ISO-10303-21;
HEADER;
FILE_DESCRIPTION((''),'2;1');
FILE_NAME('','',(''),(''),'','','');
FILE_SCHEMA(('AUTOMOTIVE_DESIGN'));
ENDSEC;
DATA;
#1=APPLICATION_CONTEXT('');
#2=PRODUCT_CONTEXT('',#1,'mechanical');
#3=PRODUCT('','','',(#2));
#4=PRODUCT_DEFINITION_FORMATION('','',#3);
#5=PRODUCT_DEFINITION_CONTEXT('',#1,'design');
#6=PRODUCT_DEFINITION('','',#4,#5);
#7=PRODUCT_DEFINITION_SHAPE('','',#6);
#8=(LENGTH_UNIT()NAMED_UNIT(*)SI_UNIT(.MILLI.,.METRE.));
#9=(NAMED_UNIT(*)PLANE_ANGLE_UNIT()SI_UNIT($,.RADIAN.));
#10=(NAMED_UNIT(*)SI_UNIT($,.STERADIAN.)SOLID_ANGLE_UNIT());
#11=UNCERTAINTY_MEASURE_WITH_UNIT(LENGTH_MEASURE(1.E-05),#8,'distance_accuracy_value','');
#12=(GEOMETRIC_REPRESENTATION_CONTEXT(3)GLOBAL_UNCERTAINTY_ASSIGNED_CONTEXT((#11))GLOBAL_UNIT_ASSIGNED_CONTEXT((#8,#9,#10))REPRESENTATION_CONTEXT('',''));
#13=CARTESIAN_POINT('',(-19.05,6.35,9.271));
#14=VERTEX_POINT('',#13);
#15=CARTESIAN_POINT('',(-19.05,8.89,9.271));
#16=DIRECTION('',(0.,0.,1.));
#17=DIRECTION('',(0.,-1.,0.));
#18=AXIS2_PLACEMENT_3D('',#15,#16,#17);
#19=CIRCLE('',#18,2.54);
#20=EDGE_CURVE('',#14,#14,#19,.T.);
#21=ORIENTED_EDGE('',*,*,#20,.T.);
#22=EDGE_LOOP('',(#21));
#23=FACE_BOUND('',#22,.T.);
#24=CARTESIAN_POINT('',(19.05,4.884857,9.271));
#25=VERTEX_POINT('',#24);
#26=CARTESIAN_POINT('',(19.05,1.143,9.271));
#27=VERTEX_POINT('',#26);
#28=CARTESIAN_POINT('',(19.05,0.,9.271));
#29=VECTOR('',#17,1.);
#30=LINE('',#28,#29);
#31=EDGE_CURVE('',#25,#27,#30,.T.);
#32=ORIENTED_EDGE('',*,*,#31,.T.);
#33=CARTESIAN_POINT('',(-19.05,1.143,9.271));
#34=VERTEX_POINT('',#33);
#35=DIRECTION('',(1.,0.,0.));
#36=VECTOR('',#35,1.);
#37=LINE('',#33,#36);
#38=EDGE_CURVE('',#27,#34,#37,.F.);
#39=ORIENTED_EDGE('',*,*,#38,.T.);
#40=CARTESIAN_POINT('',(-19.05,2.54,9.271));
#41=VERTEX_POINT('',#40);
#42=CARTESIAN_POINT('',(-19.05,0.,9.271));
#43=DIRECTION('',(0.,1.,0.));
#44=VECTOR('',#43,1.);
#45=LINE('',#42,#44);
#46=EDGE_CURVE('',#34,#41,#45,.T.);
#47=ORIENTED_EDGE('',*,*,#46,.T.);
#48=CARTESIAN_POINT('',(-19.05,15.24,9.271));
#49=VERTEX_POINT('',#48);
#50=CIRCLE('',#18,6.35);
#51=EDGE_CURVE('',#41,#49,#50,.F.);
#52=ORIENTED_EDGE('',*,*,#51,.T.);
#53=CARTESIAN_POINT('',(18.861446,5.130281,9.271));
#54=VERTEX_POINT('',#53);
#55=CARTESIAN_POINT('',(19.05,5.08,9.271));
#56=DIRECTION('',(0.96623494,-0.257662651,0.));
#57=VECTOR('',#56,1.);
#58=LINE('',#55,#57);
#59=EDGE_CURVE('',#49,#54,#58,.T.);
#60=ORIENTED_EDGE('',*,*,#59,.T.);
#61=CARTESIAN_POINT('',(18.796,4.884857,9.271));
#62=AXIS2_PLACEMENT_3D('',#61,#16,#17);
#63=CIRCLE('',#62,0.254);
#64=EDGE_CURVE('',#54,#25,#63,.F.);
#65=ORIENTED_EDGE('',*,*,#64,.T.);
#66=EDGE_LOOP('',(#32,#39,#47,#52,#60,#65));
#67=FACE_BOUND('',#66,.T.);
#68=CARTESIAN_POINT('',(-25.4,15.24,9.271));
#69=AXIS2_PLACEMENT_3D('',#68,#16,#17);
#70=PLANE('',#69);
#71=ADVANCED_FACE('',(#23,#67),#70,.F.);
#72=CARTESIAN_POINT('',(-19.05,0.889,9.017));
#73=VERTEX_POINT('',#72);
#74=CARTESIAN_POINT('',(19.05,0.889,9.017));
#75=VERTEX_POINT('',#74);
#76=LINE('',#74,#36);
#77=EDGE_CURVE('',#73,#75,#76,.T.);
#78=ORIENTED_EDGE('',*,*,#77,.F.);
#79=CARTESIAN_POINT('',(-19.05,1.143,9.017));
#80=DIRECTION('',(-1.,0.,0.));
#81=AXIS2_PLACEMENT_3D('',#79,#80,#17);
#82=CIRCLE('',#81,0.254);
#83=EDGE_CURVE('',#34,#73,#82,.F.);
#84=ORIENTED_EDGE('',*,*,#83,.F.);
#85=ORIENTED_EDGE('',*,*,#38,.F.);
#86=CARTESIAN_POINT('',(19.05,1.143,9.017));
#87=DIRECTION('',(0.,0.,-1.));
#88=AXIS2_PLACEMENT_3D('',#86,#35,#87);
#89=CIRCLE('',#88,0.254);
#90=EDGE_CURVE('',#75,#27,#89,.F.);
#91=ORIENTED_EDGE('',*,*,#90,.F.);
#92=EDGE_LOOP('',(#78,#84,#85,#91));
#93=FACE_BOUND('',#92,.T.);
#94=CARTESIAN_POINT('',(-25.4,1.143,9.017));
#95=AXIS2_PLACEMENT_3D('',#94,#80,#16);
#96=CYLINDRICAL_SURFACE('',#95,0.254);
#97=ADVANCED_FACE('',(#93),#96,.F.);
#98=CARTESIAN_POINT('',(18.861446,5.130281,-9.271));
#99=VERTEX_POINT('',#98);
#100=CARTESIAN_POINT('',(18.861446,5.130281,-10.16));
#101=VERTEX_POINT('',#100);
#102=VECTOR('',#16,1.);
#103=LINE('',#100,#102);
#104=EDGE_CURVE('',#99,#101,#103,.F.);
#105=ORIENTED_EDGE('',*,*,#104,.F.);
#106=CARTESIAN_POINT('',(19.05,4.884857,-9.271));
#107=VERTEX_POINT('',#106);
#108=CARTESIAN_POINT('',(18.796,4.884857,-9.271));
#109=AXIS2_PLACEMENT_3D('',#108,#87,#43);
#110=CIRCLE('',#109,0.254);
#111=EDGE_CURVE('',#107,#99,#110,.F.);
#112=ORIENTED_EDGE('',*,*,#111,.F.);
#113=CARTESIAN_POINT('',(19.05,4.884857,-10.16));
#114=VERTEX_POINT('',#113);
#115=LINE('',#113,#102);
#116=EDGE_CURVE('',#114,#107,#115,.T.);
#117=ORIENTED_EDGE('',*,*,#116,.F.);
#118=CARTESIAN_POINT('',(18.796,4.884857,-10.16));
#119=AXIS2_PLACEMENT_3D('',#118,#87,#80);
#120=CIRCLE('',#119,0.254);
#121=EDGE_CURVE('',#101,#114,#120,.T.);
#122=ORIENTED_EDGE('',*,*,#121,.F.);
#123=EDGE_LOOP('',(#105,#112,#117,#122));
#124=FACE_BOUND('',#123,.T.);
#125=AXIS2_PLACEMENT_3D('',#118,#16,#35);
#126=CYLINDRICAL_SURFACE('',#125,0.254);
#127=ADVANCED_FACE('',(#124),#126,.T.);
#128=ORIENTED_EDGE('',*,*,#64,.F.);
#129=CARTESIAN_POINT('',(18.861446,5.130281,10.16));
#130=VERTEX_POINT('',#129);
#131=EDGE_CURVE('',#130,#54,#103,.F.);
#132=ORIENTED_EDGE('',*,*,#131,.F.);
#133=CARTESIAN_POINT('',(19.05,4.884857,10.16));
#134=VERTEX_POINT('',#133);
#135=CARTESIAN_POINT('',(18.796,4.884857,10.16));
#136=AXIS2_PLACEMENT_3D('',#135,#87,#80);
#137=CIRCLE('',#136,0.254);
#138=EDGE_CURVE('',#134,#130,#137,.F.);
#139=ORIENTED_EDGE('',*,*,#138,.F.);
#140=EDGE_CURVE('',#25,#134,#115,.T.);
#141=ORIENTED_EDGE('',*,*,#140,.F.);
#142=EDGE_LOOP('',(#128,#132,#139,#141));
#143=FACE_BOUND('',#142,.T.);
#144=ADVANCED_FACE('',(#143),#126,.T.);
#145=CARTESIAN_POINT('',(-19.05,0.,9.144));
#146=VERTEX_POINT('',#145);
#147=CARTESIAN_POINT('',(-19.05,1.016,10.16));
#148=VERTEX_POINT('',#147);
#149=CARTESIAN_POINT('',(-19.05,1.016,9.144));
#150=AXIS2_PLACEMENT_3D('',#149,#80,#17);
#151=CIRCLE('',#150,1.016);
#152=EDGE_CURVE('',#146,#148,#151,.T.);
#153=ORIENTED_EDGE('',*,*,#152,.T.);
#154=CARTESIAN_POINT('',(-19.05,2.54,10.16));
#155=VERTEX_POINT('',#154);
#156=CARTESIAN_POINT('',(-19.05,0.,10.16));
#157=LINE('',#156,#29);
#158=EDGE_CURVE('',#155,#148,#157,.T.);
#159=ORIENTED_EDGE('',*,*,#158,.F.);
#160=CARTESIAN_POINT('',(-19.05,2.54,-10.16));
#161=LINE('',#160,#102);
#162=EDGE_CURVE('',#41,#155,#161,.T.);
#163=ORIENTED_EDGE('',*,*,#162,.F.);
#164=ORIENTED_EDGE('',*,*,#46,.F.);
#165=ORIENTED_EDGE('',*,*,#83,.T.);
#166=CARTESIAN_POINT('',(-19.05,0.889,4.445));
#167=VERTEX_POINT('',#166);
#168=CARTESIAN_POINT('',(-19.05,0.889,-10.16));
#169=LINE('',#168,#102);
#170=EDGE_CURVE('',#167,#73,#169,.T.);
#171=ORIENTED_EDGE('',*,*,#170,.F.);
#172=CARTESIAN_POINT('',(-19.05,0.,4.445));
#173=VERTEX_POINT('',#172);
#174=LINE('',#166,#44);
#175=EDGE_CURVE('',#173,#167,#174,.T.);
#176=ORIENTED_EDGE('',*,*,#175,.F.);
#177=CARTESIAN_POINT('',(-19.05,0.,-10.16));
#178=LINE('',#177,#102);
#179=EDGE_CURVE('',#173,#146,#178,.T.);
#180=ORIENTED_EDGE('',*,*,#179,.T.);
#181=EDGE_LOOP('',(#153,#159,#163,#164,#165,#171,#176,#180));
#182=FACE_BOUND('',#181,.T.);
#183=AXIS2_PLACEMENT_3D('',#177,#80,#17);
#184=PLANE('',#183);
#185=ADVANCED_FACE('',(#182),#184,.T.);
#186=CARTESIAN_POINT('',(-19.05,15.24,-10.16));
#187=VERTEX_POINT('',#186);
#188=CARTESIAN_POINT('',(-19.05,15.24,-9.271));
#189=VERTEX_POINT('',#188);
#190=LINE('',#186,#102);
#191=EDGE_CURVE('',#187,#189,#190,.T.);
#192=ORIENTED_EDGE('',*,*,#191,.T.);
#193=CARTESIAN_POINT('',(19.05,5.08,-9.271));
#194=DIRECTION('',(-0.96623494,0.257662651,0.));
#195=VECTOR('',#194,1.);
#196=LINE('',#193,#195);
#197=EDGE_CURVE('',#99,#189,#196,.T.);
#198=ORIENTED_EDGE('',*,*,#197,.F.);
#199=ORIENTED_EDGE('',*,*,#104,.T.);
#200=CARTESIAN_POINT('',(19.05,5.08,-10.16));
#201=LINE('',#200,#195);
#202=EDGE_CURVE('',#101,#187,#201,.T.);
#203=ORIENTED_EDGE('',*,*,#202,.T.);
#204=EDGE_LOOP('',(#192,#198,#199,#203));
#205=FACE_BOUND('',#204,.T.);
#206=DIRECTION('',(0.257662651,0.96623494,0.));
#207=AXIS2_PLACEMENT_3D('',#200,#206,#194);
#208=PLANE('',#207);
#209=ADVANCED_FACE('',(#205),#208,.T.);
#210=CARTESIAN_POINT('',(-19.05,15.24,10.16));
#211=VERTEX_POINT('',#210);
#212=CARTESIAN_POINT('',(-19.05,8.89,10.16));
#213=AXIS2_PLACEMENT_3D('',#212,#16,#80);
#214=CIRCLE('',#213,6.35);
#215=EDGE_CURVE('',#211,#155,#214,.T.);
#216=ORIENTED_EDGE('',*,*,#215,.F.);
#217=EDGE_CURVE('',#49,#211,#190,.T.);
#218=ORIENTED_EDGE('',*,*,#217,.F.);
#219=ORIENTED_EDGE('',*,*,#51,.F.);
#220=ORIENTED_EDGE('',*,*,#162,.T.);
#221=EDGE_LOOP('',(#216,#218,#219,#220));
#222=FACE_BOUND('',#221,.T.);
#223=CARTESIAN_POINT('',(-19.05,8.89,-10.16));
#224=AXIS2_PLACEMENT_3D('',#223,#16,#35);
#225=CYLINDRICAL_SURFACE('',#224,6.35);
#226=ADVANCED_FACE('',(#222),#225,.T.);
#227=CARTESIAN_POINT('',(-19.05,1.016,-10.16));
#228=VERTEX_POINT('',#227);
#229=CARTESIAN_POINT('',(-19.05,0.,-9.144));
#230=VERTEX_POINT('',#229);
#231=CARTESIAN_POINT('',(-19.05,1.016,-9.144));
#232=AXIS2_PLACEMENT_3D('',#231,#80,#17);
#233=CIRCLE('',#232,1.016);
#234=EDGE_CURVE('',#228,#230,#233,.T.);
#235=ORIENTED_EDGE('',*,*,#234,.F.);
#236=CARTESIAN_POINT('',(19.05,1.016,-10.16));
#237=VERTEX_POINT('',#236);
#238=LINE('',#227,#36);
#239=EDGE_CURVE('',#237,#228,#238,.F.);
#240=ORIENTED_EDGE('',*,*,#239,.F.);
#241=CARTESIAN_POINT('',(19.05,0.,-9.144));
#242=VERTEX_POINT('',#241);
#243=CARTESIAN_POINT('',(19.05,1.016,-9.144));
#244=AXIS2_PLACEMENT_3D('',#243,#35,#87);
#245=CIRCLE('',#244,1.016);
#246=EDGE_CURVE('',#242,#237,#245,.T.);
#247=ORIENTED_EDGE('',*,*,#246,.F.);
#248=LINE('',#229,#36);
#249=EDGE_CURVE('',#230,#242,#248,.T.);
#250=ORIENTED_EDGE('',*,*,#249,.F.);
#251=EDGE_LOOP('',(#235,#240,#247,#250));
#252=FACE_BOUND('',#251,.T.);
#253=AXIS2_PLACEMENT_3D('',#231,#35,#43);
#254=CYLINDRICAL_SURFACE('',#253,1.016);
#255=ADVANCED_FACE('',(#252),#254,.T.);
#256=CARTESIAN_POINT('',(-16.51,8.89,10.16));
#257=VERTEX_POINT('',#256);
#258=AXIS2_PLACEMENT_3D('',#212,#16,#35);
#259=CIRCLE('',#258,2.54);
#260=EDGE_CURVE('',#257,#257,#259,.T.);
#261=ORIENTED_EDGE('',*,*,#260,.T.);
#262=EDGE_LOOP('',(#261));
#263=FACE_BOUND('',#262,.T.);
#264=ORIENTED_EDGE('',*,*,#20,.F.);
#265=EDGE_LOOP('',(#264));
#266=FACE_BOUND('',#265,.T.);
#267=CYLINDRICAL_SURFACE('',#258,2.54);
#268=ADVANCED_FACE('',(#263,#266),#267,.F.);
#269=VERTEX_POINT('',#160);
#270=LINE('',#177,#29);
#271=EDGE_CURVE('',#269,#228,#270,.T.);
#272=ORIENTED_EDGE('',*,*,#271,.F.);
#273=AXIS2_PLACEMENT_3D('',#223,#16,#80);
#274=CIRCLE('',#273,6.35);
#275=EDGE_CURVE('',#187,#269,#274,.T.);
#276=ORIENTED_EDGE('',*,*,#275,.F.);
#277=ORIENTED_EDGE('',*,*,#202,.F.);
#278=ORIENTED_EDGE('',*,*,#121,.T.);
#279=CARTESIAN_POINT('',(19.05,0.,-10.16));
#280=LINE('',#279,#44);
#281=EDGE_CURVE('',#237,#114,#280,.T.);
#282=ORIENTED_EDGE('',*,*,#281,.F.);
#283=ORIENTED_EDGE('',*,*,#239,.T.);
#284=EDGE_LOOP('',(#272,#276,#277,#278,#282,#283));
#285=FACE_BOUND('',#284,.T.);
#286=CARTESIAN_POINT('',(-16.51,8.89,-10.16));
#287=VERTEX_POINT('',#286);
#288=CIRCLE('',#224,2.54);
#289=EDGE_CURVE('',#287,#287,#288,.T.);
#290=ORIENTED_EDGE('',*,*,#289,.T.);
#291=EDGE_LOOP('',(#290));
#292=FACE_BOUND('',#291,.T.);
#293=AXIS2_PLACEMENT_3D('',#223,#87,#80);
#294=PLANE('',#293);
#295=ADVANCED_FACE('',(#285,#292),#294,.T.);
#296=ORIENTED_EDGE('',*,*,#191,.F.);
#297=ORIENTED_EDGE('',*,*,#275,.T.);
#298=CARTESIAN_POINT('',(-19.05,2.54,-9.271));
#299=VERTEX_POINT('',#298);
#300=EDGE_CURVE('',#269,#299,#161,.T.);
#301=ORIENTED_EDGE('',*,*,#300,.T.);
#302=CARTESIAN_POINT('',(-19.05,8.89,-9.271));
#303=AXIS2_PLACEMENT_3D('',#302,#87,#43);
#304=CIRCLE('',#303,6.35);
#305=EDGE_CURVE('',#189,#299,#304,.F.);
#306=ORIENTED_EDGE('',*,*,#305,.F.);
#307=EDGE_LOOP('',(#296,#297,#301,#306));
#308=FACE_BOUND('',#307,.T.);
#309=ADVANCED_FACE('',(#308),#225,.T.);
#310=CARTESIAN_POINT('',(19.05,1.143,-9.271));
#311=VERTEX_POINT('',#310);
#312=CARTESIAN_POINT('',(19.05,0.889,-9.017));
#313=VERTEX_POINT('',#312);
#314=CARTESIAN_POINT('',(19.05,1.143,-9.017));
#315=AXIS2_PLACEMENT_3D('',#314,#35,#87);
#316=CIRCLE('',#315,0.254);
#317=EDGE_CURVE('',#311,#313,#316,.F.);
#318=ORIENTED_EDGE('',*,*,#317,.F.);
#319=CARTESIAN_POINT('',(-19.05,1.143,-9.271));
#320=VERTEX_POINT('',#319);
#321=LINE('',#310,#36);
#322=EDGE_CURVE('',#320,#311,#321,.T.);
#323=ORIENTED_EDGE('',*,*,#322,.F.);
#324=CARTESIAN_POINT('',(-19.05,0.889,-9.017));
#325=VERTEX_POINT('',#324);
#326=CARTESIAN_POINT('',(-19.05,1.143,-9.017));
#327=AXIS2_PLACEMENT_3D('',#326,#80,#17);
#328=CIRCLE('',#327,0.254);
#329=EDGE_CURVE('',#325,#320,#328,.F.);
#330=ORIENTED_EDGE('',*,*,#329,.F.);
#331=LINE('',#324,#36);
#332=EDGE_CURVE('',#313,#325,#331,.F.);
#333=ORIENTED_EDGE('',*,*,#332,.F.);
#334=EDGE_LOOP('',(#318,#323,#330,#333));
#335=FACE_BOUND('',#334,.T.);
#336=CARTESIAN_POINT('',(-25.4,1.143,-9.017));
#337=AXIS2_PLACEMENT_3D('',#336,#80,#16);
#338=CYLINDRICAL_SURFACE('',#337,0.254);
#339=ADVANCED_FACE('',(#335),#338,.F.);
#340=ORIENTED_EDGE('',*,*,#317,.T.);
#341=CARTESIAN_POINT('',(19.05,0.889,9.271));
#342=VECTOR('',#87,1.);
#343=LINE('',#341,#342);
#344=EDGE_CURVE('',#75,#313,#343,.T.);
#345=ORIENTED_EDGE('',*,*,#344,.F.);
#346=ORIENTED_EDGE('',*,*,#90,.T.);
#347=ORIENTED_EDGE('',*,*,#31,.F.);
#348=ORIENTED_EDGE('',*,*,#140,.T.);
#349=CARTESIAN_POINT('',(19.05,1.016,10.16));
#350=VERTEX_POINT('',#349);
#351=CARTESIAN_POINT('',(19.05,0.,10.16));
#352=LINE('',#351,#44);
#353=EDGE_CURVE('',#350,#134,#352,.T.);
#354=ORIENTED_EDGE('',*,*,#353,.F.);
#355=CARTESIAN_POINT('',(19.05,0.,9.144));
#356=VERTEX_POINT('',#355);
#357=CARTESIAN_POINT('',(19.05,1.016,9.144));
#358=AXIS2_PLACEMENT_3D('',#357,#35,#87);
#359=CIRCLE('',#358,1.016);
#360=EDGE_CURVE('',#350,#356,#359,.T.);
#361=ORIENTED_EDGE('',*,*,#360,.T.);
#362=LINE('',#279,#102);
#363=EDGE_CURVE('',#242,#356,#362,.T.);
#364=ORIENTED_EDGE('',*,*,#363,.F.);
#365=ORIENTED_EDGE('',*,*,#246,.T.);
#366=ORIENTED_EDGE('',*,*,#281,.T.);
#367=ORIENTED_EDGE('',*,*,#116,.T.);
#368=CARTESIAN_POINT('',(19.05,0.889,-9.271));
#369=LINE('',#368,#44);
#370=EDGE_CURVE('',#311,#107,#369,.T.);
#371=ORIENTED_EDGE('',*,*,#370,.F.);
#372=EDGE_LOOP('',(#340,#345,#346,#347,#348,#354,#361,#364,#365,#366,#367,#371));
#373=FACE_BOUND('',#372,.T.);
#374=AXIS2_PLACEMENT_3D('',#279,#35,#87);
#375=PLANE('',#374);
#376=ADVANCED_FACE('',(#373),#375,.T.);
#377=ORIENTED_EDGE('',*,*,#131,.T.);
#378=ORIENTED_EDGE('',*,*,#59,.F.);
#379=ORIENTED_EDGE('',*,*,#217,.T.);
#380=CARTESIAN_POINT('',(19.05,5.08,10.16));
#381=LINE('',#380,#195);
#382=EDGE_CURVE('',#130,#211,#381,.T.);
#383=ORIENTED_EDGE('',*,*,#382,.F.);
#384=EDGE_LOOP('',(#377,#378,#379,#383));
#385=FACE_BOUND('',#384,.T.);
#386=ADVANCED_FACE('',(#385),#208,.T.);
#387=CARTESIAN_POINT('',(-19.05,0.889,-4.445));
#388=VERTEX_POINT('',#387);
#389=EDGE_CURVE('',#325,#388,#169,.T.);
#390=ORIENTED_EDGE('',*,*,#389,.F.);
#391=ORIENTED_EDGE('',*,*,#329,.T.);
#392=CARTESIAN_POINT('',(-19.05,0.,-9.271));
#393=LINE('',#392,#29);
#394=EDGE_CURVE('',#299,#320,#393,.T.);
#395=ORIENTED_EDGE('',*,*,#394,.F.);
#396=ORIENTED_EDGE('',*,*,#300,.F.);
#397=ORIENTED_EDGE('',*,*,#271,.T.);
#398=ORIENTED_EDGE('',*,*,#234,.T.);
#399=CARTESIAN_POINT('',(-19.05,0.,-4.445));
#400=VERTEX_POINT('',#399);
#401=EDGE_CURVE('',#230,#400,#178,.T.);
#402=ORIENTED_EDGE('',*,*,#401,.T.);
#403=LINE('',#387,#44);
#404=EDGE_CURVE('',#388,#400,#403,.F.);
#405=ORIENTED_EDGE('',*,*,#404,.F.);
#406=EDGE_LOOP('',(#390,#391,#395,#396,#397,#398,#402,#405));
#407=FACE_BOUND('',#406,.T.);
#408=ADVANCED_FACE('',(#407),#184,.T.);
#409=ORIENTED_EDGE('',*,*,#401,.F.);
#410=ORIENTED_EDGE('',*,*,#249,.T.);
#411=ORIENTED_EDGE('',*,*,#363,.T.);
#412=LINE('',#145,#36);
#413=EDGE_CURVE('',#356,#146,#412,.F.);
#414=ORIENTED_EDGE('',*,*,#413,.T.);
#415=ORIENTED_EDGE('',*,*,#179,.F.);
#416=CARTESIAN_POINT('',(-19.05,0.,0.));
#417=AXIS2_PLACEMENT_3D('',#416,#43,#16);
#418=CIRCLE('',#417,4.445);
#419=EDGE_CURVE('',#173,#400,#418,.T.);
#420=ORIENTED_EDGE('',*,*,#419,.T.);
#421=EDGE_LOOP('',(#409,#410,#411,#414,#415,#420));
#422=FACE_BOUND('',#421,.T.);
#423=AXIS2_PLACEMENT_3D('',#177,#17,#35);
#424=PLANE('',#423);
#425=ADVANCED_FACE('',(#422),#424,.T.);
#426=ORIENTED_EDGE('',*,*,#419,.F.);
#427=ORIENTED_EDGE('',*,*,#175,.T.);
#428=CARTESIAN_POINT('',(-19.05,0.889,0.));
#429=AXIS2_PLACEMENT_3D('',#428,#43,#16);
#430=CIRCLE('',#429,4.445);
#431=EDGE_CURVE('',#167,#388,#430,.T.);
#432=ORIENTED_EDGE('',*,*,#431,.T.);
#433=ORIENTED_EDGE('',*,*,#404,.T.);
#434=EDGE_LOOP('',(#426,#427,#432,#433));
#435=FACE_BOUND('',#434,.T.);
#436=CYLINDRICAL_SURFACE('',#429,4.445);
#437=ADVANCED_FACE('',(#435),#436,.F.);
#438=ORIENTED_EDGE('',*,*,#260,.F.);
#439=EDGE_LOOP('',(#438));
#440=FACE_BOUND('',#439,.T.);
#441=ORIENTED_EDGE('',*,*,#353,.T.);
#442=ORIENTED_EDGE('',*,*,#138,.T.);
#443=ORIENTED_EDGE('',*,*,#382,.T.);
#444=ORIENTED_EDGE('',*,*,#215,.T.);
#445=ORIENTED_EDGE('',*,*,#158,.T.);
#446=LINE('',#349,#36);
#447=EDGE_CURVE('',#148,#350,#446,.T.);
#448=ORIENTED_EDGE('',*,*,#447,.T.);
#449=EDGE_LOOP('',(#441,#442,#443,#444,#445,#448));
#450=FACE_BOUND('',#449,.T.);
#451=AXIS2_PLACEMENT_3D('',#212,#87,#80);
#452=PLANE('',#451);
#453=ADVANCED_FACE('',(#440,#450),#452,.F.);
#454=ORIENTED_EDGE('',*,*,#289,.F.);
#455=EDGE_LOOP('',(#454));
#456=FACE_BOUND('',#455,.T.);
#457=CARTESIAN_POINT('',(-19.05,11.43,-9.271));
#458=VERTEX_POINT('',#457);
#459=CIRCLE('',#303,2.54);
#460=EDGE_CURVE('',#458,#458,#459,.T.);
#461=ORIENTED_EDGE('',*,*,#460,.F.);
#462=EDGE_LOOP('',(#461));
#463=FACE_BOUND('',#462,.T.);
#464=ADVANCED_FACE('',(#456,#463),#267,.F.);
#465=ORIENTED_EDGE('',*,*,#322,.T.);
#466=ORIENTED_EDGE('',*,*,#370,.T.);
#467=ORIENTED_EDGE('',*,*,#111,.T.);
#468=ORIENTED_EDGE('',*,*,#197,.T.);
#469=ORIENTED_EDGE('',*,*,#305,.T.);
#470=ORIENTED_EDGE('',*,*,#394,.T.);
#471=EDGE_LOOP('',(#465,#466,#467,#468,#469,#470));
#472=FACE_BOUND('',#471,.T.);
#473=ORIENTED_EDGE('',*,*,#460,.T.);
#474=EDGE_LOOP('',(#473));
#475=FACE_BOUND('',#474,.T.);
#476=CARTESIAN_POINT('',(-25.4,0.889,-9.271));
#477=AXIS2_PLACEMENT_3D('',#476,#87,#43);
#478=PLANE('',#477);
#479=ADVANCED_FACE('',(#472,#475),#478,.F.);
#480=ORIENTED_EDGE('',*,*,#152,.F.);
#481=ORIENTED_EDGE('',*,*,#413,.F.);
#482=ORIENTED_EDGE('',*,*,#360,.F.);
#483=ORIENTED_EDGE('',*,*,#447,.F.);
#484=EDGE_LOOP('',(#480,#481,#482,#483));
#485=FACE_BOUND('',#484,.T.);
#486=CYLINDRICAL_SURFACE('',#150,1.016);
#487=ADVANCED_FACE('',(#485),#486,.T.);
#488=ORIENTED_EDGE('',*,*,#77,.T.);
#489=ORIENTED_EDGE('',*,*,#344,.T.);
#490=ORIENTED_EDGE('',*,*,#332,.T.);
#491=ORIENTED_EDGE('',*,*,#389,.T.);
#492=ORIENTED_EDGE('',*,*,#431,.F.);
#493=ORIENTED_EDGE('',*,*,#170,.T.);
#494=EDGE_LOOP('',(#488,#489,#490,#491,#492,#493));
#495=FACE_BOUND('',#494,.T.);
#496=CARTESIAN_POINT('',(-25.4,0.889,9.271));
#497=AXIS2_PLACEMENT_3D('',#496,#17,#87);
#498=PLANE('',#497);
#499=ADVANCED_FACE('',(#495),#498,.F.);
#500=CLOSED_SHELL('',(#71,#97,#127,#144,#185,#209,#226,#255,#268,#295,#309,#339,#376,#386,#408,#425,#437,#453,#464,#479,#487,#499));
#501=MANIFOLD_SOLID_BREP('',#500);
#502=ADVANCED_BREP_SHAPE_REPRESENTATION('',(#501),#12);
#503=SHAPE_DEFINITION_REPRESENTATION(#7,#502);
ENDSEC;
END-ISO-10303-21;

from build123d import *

# Parameters (mm, degrees)
EXTRUDED_BOSS_FRONT_PLANE_WING_DEPTH      = 10.16
EXTRUDED_BOSS_FRONT_PLANE_WING_DEPTH_BACK = 10.16
EXTRUDED_CUT_RIGHT_PLANE_WING_DEPTH       = 32.315223135
EXTRUDED_CUT_RIGHT_PLANE_WING_DEPTH_BACK  = 32.315223135
SKETCH3_W                                 = 18.542
SKETCH3_H                                 = 14.351
F_2X_0_2D_HOLES_D                         = 5.08
F_0_35D_HOLE_D                            = 8.89
INNER_CONNECTING_FILLET_R                 = 0.254
OUTTER_CONNECTING_FILLET_R                = 1.016


with BuildPart() as part:
    # Sketch2 → Extruded Boss Front Plane Wing (new, two sides: drawn at the far end of the back side and taken through both)
    with BuildSketch(Plane.XY.offset(-EXTRUDED_BOSS_FRONT_PLANE_WING_DEPTH_BACK)):
        with BuildLine():
            Line((-19.05, 0), (19.05, 0))
            Line((19.05, 0), (19.05, 5.08))
            Line((19.05, 5.08), (-19.05, 15.24))
            ThreePointArc((-19.05, 15.24), (-25.4, 8.89), (-19.05, 2.54))
            Line((-19.05, 2.54), (-19.05, 0))
        make_face()
    extrude(amount=EXTRUDED_BOSS_FRONT_PLANE_WING_DEPTH + EXTRUDED_BOSS_FRONT_PLANE_WING_DEPTH_BACK)

    # Sketch3 → Extruded Cut Right Plane Wing (cut, two sides: drawn at the far end of the back side and taken through both)
    with BuildSketch(Plane(origin=(0, 0, 0), x_dir=(0, 0, -1), z_dir=(1, 0, 0)).offset(-EXTRUDED_CUT_RIGHT_PLANE_WING_DEPTH_BACK)):
        with Locations((0, 8.0645)):
            Rectangle(SKETCH3_W, SKETCH3_H)
    extrude(amount=EXTRUDED_CUT_RIGHT_PLANE_WING_DEPTH + EXTRUDED_CUT_RIGHT_PLANE_WING_DEPTH_BACK, mode=Mode.SUBTRACT)

    # 2X 0.2D Holes (through all)
    with Locations(Plane.XY.offset(10.16)):
        with Locations((-19.05, 8.89)):
            Hole(F_2X_0_2D_HOLES_D / 2)

    # 0.35D Hole (through all)
    with Locations(Plane(origin=(0, 0.889, 0), x_dir=(1, 0, 0), z_dir=(0, 1, 0))):
        with Locations((-19.05, 0)):
            Hole(F_0_35D_HOLE_D / 2)

    # Inner Connecting Fillet
    inner_connecting_fillet_edges = [part.edges().sort_by_distance(p)[0] for p in [
        (19.05, 5.08, 9.7155),
        (0, 0.889, -9.271),
        (0, 0.889, 9.271),
        (19.05, 5.08, -9.7155),
    ]]
    fillet(inner_connecting_fillet_edges, radius=INNER_CONNECTING_FILLET_R)

    # Outter Connecting Fillet
    outter_connecting_fillet_edges = [part.edges().sort_by_distance(p)[0] for p in [
        (0, 0, 10.16),
        (0, 0, -10.16),
    ]]
    fillet(outter_connecting_fillet_edges, radius=OUTTER_CONNECTING_FILLET_R)


solid = part.part
